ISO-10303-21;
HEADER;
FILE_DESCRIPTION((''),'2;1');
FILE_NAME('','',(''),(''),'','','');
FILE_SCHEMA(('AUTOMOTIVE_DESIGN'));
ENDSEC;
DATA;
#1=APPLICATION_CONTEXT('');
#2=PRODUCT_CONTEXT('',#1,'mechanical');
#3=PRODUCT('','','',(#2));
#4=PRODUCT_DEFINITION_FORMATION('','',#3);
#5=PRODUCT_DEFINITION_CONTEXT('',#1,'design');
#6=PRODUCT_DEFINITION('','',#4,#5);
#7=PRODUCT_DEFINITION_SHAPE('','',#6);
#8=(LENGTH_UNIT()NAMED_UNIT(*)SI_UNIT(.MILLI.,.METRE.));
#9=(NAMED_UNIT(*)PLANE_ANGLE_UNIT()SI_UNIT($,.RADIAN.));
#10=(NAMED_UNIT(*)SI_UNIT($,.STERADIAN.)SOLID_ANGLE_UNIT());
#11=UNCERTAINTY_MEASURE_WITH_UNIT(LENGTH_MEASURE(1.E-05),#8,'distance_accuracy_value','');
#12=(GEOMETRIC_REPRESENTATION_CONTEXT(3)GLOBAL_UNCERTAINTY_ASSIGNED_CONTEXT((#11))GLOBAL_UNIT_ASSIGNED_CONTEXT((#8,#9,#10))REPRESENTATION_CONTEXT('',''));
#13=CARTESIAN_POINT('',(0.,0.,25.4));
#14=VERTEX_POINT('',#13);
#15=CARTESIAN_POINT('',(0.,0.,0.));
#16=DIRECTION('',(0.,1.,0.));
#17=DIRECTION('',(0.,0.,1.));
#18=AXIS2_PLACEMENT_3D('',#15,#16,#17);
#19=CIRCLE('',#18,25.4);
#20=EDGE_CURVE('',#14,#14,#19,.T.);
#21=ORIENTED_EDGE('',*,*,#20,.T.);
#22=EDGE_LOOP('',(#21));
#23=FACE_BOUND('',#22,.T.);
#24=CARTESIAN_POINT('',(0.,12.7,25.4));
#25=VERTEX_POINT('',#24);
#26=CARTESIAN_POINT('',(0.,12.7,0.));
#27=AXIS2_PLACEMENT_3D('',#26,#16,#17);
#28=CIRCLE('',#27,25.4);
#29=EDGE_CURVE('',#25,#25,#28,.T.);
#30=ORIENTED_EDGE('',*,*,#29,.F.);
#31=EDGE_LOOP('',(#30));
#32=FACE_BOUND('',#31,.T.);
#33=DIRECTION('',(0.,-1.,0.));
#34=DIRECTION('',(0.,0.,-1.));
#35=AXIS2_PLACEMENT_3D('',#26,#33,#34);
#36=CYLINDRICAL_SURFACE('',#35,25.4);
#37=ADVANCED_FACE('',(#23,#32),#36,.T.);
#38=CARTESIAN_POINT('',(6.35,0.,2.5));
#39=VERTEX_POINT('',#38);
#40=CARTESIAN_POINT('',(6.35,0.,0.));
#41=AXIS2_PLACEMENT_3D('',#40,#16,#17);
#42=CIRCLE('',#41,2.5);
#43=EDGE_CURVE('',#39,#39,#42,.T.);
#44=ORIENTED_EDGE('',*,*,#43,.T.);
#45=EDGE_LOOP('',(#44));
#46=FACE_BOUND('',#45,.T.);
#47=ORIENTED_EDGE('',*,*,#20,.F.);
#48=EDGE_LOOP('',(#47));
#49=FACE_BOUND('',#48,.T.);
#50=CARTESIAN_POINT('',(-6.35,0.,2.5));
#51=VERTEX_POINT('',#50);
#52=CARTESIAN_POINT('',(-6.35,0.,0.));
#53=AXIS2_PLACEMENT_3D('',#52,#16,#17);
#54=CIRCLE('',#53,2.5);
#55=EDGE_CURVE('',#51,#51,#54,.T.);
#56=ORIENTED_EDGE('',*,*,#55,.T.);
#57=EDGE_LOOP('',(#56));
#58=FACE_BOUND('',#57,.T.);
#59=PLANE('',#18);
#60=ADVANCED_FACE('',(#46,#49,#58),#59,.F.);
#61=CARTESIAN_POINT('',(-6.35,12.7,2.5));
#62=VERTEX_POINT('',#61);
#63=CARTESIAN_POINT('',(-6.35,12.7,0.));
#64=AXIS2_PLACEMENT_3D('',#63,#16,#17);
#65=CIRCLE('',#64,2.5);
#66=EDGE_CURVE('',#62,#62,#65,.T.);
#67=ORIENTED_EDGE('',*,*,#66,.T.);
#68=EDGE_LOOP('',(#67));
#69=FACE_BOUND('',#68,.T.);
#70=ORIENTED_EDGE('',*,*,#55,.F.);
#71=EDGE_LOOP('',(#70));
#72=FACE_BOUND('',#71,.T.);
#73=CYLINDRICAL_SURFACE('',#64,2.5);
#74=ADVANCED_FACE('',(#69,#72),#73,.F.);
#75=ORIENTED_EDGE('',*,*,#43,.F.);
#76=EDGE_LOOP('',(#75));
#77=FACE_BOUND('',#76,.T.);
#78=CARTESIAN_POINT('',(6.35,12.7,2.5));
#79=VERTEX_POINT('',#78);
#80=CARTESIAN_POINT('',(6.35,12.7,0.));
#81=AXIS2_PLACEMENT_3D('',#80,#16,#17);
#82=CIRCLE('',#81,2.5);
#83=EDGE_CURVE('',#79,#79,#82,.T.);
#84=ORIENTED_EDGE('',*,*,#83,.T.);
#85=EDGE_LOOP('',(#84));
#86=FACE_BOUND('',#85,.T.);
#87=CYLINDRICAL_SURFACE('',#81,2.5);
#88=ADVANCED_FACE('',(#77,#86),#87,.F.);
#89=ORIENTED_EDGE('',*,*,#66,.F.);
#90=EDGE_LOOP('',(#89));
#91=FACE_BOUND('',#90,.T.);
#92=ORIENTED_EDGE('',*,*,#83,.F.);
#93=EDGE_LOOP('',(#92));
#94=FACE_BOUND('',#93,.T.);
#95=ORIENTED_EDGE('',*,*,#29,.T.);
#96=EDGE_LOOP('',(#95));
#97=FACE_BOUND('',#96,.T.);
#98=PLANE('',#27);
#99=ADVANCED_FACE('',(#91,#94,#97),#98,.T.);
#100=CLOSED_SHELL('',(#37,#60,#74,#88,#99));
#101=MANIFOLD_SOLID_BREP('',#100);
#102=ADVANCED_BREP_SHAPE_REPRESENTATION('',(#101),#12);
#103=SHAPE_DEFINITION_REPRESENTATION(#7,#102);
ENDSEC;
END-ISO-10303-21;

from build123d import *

# Parameters (mm, degrees)
SKETCH1_R             = 25.4
BOSS_EXTRUDE1_DEPTH   = 12.7
M6X1_0_TAPPED_HOLE1_D = 5


with BuildPart() as part:
    # Sketch1 → Boss-Extrude1 (new body)
    with BuildSketch(Plane(origin=(0, 0, 0), x_dir=(1, 0, 0), z_dir=(0, 1, 0))):
        with Locations(Location((0, 0, 0), (0, 0, 270))):
            Circle(SKETCH1_R)
    extrude(amount=BOSS_EXTRUDE1_DEPTH)

    # M6x1.0 Tapped Hole1 (through all)
    with Locations(Plane(origin=(0, 12.7, 0), x_dir=(1, 0, 0), z_dir=(0, 1, 0))):
        with Locations((-6.35, 0), (6.35, 0)):
            Hole(M6X1_0_TAPPED_HOLE1_D / 2)


solid = part.part
